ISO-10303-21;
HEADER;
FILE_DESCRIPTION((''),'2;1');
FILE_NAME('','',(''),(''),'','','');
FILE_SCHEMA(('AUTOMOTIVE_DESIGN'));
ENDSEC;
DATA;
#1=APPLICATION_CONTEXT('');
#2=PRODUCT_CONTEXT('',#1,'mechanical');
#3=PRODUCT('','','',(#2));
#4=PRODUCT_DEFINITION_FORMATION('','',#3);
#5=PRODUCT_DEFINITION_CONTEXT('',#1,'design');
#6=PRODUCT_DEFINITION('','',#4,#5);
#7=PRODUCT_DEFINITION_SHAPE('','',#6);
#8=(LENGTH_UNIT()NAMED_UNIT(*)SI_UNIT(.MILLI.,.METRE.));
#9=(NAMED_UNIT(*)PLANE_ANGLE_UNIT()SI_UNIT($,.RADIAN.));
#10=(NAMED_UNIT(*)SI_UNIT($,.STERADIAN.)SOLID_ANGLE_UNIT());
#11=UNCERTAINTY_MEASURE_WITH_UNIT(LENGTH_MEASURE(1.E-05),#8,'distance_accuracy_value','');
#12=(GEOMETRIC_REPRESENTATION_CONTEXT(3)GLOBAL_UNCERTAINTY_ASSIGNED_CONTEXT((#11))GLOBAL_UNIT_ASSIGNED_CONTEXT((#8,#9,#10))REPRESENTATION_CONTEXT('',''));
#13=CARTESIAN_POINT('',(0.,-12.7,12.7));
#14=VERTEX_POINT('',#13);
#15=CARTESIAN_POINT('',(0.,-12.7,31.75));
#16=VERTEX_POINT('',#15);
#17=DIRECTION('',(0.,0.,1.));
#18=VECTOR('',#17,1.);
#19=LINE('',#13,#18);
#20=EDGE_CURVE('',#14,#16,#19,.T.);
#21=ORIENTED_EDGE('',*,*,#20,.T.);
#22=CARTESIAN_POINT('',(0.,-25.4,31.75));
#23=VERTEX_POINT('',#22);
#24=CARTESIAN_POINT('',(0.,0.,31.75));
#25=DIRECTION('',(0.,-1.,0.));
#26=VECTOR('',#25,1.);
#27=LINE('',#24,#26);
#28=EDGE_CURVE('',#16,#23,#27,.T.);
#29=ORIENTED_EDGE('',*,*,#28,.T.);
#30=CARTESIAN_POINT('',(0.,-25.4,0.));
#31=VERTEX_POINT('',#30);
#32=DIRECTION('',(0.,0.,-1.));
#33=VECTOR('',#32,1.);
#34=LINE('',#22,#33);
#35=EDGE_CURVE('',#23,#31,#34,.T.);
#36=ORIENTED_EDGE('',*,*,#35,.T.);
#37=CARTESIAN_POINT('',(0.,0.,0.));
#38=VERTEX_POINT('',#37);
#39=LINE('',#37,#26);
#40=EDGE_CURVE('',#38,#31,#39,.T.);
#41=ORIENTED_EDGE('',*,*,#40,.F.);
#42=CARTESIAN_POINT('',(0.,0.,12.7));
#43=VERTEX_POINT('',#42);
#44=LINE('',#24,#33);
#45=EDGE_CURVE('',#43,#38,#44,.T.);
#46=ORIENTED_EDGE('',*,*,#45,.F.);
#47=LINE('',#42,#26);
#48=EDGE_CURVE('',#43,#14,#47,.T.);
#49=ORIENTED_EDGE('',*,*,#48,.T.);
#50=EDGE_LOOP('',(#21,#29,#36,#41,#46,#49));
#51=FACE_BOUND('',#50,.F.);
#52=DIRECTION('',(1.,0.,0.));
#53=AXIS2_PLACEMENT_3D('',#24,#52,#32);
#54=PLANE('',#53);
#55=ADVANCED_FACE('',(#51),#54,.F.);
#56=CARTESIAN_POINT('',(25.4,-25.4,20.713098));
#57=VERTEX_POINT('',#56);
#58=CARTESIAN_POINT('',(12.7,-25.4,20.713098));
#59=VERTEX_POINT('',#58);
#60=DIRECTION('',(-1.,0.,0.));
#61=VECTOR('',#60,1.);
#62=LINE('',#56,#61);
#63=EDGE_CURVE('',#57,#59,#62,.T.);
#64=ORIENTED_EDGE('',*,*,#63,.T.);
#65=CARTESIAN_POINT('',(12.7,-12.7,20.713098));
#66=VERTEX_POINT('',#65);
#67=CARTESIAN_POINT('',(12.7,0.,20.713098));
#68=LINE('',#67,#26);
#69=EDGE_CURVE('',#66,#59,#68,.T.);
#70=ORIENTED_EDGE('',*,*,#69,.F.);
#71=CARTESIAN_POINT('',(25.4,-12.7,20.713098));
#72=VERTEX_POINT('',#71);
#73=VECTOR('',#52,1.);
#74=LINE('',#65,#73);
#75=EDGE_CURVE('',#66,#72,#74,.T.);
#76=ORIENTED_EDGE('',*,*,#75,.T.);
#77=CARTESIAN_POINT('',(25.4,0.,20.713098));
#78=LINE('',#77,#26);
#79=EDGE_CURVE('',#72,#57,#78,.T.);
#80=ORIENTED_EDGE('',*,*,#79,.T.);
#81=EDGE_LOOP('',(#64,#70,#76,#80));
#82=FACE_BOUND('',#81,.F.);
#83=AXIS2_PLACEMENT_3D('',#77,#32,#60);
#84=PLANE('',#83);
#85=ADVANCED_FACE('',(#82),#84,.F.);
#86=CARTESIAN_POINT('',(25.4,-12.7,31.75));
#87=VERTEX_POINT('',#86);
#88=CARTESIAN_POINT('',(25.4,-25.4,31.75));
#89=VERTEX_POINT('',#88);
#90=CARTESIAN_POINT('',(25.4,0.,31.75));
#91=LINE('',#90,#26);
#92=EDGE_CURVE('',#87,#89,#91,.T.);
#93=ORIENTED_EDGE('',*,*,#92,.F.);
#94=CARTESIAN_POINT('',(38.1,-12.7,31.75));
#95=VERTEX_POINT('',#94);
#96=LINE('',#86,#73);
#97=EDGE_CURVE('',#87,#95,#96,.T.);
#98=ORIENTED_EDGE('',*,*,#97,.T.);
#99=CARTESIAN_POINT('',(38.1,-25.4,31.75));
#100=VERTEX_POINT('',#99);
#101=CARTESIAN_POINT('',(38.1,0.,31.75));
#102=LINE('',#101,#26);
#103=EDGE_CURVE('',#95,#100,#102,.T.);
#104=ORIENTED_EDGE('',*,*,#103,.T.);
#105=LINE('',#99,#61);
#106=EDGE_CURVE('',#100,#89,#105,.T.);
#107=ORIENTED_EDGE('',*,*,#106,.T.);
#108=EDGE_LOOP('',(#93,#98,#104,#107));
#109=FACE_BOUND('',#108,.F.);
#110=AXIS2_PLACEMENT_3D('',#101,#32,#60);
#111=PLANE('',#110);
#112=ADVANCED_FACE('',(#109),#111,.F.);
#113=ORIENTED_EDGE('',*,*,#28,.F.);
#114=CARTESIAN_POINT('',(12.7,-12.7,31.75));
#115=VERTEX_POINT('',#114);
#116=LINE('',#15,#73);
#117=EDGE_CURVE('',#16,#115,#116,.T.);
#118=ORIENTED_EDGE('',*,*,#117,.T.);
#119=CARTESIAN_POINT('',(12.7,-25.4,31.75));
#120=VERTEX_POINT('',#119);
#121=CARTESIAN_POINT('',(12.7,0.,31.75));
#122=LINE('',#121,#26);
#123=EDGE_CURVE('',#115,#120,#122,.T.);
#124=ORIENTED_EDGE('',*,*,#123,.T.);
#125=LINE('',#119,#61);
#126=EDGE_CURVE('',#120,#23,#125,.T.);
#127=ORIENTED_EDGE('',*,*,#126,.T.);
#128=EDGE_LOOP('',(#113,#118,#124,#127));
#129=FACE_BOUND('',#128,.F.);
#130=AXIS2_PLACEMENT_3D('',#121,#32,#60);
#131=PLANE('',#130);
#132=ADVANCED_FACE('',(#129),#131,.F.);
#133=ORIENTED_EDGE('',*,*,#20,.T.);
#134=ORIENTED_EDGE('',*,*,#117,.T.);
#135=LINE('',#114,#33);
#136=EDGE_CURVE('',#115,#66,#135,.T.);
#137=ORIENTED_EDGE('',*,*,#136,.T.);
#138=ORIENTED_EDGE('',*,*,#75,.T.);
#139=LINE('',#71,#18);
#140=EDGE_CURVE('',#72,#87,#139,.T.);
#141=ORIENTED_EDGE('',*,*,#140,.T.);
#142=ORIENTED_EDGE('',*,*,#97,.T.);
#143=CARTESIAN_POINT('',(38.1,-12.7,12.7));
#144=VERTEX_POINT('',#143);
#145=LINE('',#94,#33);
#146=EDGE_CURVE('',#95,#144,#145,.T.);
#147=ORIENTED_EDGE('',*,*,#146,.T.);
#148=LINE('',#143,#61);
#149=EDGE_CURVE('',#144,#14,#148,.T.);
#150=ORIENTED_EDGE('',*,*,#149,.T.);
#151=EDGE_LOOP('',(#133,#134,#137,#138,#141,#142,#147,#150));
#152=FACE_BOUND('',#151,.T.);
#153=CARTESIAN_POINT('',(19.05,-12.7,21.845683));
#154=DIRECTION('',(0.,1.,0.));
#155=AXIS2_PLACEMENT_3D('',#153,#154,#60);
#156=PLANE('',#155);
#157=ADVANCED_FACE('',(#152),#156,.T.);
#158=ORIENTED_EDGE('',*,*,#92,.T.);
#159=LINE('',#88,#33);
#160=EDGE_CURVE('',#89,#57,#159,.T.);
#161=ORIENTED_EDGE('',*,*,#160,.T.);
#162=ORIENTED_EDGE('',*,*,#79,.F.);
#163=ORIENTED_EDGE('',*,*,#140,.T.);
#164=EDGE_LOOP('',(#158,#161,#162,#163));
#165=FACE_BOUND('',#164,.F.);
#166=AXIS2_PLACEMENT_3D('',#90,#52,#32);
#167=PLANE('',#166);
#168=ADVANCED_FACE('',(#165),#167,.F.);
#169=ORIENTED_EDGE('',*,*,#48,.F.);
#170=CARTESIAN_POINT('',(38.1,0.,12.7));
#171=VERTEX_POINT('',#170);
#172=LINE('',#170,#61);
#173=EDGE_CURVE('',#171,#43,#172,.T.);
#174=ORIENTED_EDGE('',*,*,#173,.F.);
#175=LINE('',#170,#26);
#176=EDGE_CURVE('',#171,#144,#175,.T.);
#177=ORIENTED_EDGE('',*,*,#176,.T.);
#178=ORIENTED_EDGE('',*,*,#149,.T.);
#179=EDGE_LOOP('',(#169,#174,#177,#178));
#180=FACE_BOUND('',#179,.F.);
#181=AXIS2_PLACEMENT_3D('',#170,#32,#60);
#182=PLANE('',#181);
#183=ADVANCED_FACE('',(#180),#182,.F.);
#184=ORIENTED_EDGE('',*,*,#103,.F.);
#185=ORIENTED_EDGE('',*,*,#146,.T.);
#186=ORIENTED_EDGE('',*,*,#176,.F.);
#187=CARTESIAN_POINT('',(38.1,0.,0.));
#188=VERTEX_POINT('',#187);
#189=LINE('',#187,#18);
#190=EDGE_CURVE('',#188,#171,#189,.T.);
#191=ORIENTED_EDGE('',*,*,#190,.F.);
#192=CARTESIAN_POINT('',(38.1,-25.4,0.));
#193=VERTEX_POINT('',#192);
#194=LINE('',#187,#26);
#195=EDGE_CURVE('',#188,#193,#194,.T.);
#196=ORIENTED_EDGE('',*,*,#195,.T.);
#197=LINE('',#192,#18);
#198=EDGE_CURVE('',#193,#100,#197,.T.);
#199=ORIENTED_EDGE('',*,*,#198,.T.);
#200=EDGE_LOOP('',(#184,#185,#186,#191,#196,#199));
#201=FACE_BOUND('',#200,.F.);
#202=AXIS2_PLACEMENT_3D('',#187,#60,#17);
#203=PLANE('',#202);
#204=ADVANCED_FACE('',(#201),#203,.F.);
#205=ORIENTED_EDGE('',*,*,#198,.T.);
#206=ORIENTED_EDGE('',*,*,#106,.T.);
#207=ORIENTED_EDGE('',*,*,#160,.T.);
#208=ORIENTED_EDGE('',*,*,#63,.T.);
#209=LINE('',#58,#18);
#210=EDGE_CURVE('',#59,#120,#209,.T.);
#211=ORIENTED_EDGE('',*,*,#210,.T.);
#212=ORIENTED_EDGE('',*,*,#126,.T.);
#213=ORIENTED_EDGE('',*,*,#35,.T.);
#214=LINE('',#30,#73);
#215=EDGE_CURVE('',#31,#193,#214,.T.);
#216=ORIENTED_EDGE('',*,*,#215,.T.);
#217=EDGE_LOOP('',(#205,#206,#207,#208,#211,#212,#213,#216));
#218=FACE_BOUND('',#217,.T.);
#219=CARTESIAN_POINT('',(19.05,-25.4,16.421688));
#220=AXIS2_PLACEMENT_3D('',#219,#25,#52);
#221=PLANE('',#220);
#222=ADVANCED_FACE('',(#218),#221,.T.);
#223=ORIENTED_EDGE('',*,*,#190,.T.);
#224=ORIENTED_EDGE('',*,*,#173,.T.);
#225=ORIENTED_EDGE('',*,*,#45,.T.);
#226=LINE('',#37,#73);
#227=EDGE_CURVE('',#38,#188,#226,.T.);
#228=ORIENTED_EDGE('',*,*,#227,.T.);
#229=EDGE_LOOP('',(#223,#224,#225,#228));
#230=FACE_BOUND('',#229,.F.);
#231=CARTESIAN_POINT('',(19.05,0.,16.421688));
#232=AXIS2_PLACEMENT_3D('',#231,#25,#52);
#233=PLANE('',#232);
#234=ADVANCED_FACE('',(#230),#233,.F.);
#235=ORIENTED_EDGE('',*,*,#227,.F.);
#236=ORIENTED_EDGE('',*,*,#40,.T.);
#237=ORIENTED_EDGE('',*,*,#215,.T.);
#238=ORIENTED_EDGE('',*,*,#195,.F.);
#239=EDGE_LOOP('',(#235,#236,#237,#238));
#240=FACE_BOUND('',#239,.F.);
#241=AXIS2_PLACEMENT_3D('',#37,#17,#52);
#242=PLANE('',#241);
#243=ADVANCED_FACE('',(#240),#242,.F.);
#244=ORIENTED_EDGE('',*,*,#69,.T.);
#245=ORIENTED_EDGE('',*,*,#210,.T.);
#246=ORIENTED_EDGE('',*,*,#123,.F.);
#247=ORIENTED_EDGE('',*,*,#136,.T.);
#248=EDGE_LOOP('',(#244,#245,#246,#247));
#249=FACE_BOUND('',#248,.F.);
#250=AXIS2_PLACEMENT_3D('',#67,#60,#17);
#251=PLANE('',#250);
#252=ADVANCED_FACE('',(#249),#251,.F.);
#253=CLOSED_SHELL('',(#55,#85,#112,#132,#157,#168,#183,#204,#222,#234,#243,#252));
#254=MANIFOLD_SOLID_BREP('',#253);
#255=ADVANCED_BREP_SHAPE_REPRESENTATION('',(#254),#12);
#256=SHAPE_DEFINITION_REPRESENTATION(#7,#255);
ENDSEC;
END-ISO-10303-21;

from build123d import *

# Parameters (mm, degrees)
F1_DEPTH = 25.4
F3_DEPTH = 12.7


with BuildPart() as f1:
    # F0 (on Front) → F1 (new body)
    with BuildSketch(Plane.XZ):
        Polygon((0, 31.75), (0, 0), (38.1, 0), (38.1, 31.75), (25.4, 31.75), (25.4, 20.713098), (12.7, 20.713098), (12.7, 31.75), align=None)
    extrude(amount=F1_DEPTH)

    # F2 (on face) → F3 (cut)
    with BuildSketch(Plane(origin=(0, 0, 0), x_dir=(-1, 0, 0), z_dir=(0, 1, 0))):
        Polygon((-38.1, 31.75), (-38.1, 12.7), (0, 12.7), (0, 31.75), (-12.7, 31.75), (-12.7, 20.713098), (-25.4, 20.713098), (-25.4, 31.75), align=None)
    extrude(amount=-F3_DEPTH, mode=Mode.SUBTRACT)


solid = f1.part
